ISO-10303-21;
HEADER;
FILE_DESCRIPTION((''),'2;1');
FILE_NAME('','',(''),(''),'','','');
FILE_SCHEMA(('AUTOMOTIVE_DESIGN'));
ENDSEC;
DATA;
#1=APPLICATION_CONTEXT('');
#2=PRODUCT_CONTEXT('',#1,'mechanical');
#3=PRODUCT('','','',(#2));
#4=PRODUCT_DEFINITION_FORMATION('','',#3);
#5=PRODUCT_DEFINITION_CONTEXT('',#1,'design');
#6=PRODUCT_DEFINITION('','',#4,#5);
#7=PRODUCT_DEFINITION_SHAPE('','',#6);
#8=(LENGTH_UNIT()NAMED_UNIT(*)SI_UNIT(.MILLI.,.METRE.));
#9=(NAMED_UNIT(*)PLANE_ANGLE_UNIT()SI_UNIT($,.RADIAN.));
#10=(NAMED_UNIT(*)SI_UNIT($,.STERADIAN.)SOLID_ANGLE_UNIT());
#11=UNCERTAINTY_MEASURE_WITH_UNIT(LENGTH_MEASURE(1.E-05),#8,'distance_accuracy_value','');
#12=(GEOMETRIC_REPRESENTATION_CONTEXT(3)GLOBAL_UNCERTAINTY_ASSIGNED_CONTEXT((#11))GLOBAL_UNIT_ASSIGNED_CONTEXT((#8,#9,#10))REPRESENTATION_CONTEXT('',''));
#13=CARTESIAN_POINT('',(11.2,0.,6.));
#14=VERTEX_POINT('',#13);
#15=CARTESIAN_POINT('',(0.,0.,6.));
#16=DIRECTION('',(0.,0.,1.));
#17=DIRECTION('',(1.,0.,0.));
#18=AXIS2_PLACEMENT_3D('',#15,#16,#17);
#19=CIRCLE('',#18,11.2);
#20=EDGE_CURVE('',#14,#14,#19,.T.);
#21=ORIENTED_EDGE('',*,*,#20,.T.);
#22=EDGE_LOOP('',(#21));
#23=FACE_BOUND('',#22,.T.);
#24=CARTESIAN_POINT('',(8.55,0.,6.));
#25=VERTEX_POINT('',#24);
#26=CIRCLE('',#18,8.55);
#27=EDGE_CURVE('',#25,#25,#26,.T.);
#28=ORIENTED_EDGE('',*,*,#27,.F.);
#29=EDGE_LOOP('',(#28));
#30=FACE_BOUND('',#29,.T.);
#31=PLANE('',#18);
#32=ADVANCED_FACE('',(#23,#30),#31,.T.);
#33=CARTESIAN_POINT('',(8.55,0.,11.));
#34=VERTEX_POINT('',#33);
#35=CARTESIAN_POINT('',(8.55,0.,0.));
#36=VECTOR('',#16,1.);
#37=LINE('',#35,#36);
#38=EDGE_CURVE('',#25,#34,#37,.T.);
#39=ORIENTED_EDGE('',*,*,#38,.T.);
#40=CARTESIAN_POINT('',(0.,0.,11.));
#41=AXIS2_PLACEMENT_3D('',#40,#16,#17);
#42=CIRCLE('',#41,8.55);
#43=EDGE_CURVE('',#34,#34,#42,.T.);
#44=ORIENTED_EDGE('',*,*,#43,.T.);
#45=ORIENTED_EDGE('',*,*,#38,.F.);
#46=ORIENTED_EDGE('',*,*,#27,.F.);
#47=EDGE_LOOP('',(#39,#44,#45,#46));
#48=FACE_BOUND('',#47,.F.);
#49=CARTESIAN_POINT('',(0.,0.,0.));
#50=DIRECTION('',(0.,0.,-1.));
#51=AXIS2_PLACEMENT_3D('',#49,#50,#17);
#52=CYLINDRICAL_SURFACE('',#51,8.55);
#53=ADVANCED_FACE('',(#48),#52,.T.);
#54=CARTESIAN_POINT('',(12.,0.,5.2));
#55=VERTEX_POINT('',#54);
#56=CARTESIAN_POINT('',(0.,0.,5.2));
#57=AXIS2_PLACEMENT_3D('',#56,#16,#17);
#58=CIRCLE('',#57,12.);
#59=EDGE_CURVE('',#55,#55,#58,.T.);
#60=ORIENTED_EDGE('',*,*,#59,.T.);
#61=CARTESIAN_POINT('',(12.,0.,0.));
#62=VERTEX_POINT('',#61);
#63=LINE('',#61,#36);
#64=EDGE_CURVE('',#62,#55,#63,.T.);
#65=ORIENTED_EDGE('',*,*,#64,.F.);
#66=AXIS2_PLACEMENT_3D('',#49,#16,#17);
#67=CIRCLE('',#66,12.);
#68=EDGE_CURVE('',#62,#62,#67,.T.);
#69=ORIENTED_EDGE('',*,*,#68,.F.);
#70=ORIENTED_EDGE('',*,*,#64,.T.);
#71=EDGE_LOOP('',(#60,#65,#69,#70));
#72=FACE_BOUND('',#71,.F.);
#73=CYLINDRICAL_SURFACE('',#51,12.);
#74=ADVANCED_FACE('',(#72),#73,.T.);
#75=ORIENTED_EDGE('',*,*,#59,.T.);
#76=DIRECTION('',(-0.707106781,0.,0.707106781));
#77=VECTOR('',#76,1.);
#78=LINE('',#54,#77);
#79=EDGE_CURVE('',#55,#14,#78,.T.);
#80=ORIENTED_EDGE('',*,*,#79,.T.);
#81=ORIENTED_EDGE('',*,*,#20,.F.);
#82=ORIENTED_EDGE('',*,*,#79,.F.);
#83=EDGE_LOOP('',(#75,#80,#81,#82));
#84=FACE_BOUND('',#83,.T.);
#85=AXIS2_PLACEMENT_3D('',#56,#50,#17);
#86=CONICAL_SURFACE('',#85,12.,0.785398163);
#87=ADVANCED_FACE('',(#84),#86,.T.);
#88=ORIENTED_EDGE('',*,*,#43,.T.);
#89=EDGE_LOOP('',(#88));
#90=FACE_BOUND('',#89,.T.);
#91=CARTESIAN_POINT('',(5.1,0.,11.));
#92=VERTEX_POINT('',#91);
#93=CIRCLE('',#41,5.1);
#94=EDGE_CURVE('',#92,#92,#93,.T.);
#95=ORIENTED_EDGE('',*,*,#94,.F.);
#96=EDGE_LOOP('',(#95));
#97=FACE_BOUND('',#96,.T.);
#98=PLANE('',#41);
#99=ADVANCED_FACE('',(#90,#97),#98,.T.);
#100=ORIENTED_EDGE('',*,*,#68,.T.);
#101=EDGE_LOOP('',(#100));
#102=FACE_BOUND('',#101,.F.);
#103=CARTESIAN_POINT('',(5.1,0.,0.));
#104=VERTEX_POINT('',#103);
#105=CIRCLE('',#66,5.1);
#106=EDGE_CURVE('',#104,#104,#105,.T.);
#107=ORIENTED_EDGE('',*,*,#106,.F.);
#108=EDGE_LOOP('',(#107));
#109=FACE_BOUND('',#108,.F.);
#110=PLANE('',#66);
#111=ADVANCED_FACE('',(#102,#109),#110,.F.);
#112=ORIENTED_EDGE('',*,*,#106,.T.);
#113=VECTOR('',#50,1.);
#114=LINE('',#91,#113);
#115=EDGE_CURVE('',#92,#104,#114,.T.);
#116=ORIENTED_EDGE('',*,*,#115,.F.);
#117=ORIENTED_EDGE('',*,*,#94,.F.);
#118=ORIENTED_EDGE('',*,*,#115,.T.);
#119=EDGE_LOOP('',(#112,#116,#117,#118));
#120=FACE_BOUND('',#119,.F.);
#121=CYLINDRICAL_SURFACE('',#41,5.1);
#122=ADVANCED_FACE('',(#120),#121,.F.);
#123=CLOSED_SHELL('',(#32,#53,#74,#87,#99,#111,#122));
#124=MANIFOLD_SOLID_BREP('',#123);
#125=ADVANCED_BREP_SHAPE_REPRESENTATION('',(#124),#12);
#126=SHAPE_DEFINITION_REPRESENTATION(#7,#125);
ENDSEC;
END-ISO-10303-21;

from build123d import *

# Parameters (mm, degrees)
F0_R     = 8.55
F1_DEPTH = 11
F0_R_2   = 12
F2_DEPTH = 6
F3_R     = 5.1
F4_DEPTH = 25
F5_SIZE  = 0.8


with BuildPart() as f1:
    # F0 (on Top) → F1 (new body)
    with BuildSketch(Plane.XY):
        Circle(F0_R)
    extrude(amount=F1_DEPTH)

    # F0 (on Top) → F2 (join)
    with BuildSketch(Plane.XY):
        Circle(F0_R_2)
        Circle(F0_R, mode=Mode.SUBTRACT)
    extrude(amount=F2_DEPTH)

    # F3 (on face) → F4 (cut)
    with BuildSketch(Plane.XY.offset(11)):
        Circle(F3_R)
    extrude(amount=-F4_DEPTH, mode=Mode.SUBTRACT)

    # F5
    f5_edges = [f1.edges().sort_by_distance(p)[0] for p in [
        (-12, 0, 6),
    ]]
    chamfer(f5_edges, length=F5_SIZE)


solid = f1.part
